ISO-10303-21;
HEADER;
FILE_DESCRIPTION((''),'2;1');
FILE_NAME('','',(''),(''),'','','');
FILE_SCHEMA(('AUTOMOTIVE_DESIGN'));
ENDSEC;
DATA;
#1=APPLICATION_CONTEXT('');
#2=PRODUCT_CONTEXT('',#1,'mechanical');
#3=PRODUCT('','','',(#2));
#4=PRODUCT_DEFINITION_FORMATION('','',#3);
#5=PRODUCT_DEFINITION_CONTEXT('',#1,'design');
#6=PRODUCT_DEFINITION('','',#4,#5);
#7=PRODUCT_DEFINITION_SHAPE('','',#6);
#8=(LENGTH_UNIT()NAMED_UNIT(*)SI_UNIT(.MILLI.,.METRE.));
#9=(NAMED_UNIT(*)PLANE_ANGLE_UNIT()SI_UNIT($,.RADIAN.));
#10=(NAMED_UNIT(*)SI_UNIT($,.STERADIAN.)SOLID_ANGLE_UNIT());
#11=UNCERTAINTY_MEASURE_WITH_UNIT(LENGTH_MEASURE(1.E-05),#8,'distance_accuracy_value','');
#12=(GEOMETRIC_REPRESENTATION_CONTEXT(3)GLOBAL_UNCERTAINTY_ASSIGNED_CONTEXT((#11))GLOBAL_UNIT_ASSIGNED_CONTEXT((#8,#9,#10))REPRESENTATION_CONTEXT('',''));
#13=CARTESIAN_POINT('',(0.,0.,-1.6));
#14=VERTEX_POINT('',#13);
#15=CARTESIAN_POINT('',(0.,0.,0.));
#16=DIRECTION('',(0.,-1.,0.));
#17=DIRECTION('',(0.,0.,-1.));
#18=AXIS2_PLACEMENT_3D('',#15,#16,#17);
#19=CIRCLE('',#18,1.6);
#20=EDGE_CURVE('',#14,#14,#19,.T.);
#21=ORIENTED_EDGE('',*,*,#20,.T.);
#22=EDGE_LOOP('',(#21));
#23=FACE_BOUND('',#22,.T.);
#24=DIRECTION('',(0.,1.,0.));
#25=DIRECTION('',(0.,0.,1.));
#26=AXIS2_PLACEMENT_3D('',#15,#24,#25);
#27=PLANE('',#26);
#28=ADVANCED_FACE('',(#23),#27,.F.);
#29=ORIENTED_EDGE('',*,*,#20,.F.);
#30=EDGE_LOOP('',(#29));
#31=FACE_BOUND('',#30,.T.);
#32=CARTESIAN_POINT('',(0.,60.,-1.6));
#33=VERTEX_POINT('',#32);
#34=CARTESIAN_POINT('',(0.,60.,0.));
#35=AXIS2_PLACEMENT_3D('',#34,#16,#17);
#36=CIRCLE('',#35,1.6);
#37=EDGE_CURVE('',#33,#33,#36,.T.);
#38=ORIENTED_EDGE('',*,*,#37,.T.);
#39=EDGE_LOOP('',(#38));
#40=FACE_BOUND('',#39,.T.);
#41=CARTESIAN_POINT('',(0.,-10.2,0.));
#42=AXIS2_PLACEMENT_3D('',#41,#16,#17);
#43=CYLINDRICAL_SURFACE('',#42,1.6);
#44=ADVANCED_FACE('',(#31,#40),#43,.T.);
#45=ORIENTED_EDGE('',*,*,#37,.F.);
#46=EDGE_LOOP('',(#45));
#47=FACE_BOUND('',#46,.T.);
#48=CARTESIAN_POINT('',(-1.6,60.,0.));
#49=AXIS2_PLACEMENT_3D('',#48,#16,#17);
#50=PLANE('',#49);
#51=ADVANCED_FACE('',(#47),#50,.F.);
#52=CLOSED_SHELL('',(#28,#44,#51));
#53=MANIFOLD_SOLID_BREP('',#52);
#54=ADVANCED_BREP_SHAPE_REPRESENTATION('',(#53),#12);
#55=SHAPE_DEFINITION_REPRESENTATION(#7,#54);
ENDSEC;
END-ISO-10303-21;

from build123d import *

# Parameters (mm, degrees)
SKETCH1_W = 1.6
SKETCH1_H = 60


with BuildPart() as part:
    # Sketch1 → Revolve1 (revolve)
    with BuildSketch(Plane.XY, mode=Mode.PRIVATE) as revolve1_sk:
        with Locations((-0.8, 30)):
            Rectangle(SKETCH1_W, SKETCH1_H)
    revolve(revolve1_sk.sketch.rotate(Axis((0, -10.2, 0), (0, 1, 0)), 270), axis=Axis((0, -10.2, 0), (0, 1, 0)))


solid = part.part
